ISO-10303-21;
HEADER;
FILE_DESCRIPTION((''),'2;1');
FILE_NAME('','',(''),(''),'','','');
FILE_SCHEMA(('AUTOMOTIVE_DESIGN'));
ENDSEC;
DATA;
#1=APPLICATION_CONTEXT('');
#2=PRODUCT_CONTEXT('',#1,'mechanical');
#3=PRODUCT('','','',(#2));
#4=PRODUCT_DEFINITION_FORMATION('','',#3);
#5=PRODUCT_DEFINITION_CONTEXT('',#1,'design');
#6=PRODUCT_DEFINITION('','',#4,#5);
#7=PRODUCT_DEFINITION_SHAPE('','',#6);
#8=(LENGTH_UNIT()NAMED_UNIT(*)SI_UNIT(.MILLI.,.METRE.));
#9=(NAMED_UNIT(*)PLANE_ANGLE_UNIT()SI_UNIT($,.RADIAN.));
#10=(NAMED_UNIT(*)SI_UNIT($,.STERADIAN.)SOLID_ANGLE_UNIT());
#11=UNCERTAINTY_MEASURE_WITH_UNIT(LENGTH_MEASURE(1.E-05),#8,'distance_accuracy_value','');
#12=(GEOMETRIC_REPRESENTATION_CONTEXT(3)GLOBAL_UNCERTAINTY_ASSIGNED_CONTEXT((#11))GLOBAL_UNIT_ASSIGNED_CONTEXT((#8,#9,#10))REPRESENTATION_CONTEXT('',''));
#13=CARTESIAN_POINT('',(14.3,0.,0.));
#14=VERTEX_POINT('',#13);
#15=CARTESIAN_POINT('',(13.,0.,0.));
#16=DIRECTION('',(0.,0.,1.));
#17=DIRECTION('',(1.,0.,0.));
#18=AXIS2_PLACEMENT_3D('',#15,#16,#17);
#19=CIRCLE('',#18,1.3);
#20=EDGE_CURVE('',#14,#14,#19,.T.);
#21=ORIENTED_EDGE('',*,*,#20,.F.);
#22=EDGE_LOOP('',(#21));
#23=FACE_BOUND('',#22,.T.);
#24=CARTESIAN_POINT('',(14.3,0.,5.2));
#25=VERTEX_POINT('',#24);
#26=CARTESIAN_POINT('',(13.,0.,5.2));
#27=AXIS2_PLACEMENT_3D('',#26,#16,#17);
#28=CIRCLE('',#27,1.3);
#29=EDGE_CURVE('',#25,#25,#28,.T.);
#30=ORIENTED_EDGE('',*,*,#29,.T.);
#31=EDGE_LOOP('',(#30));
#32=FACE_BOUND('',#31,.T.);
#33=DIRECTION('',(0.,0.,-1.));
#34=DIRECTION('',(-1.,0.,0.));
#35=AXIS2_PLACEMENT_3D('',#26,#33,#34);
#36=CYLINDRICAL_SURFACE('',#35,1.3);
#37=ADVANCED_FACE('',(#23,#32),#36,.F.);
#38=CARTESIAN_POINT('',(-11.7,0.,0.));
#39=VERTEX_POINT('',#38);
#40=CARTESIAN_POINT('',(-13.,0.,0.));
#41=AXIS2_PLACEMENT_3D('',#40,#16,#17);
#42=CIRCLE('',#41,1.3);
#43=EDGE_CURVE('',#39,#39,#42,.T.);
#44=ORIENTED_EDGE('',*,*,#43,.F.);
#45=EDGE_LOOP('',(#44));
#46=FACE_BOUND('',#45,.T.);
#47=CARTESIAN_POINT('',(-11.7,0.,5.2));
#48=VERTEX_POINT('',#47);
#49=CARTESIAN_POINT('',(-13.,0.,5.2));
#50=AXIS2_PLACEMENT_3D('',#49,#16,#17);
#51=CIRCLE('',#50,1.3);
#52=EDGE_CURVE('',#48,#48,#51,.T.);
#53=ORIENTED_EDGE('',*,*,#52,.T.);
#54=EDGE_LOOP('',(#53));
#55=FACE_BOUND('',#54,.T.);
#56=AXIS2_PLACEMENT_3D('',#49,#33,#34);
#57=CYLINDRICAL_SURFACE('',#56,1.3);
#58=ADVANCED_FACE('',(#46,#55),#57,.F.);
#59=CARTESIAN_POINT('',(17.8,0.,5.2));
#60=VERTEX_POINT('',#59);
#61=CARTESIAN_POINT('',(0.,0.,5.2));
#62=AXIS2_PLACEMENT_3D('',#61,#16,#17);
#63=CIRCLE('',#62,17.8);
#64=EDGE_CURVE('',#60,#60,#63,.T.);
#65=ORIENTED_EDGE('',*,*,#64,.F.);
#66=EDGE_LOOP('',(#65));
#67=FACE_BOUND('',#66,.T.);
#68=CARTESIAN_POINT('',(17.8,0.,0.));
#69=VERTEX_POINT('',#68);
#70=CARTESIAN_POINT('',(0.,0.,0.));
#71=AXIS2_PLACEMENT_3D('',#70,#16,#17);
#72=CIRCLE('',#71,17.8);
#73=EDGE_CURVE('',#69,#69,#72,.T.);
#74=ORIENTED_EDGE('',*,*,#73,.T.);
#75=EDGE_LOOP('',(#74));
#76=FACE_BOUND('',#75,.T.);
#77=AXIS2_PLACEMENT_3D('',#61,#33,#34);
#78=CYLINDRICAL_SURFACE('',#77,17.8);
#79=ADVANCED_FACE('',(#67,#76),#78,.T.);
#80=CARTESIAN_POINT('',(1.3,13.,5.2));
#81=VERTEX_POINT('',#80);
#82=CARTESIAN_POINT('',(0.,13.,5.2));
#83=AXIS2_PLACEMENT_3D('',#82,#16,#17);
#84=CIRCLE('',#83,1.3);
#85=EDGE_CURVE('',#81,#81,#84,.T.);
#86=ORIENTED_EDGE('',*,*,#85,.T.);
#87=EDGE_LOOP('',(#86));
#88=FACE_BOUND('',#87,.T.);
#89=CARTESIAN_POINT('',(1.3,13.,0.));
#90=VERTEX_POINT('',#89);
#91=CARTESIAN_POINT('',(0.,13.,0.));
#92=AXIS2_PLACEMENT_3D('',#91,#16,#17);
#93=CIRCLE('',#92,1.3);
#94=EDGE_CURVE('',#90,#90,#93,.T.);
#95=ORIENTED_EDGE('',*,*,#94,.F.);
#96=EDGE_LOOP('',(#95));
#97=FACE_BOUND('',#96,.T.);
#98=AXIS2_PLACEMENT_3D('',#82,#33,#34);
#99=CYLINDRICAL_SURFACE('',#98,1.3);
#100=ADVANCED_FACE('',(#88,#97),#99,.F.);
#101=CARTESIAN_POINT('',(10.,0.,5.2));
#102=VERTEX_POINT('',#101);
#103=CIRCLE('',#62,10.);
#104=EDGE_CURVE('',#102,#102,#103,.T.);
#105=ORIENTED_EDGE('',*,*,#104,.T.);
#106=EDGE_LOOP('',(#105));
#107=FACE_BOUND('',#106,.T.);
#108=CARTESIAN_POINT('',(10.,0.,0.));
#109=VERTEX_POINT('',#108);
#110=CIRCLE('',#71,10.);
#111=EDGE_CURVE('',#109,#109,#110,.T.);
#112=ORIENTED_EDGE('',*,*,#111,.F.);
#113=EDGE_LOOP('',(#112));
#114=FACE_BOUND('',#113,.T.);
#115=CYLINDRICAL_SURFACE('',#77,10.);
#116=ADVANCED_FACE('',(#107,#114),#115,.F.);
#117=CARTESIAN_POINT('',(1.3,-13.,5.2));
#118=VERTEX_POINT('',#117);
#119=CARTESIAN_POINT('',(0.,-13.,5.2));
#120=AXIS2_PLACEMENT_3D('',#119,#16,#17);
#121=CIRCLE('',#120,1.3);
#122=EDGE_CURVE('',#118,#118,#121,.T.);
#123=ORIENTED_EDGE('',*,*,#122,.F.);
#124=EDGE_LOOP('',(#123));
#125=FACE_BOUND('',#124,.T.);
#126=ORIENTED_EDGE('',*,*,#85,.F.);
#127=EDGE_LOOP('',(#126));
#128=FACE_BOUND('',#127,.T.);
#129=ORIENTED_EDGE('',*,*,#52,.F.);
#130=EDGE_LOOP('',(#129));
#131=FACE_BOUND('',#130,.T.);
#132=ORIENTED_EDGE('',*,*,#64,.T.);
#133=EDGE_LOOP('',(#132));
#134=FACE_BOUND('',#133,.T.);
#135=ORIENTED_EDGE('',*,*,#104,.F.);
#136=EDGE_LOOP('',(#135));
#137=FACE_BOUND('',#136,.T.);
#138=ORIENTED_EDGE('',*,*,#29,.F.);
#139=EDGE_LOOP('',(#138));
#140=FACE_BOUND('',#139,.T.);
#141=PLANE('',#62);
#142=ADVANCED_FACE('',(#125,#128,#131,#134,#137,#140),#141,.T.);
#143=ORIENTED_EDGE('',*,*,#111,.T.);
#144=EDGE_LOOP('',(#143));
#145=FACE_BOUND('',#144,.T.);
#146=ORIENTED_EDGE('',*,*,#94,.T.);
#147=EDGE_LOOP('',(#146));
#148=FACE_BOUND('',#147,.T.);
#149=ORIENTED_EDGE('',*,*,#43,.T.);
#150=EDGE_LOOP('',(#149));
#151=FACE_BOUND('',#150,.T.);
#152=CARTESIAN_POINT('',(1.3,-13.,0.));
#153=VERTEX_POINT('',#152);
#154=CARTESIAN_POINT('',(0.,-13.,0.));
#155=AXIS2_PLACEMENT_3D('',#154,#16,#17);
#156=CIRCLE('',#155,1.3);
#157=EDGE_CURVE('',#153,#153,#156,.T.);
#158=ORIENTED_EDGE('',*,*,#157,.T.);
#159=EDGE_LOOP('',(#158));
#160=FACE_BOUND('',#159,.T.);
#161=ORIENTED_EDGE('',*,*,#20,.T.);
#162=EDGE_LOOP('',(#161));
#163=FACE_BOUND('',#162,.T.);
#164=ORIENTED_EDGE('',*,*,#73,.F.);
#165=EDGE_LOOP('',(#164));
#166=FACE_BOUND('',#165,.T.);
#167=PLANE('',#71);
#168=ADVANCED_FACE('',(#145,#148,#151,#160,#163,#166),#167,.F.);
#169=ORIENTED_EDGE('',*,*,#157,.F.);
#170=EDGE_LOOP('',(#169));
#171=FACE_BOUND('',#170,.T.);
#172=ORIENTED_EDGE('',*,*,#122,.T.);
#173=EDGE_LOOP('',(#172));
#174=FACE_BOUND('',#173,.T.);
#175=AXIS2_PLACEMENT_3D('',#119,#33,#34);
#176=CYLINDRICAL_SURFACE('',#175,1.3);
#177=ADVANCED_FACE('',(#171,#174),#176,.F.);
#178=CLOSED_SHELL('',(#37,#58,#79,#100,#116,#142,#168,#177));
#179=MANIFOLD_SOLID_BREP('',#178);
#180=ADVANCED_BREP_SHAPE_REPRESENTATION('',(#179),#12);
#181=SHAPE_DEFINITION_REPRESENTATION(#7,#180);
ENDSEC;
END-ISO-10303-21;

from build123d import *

# Parameters (mm, degrees)
SKETCH1_R           = 17.8
SKETCH1_R_2         = 10
SKETCH1_R_3         = 1.3
BOSS_EXTRUDE1_DEPTH = 5.2


with BuildPart() as part:
    # Sketch1 → Boss-Extrude1 (new body)
    with BuildSketch(Plane.XY):
        Circle(SKETCH1_R)
        Circle(SKETCH1_R_2, mode=Mode.SUBTRACT)
        with Locations((0, 13)):
            Circle(SKETCH1_R_3, mode=Mode.SUBTRACT)
        with Locations((13, 0)):
            Circle(SKETCH1_R_3, mode=Mode.SUBTRACT)
        with Locations((0, -13)):
            Circle(SKETCH1_R_3, mode=Mode.SUBTRACT)
        with Locations((-13, 0)):
            Circle(SKETCH1_R_3, mode=Mode.SUBTRACT)
    extrude(amount=BOSS_EXTRUDE1_DEPTH)


solid = part.part
